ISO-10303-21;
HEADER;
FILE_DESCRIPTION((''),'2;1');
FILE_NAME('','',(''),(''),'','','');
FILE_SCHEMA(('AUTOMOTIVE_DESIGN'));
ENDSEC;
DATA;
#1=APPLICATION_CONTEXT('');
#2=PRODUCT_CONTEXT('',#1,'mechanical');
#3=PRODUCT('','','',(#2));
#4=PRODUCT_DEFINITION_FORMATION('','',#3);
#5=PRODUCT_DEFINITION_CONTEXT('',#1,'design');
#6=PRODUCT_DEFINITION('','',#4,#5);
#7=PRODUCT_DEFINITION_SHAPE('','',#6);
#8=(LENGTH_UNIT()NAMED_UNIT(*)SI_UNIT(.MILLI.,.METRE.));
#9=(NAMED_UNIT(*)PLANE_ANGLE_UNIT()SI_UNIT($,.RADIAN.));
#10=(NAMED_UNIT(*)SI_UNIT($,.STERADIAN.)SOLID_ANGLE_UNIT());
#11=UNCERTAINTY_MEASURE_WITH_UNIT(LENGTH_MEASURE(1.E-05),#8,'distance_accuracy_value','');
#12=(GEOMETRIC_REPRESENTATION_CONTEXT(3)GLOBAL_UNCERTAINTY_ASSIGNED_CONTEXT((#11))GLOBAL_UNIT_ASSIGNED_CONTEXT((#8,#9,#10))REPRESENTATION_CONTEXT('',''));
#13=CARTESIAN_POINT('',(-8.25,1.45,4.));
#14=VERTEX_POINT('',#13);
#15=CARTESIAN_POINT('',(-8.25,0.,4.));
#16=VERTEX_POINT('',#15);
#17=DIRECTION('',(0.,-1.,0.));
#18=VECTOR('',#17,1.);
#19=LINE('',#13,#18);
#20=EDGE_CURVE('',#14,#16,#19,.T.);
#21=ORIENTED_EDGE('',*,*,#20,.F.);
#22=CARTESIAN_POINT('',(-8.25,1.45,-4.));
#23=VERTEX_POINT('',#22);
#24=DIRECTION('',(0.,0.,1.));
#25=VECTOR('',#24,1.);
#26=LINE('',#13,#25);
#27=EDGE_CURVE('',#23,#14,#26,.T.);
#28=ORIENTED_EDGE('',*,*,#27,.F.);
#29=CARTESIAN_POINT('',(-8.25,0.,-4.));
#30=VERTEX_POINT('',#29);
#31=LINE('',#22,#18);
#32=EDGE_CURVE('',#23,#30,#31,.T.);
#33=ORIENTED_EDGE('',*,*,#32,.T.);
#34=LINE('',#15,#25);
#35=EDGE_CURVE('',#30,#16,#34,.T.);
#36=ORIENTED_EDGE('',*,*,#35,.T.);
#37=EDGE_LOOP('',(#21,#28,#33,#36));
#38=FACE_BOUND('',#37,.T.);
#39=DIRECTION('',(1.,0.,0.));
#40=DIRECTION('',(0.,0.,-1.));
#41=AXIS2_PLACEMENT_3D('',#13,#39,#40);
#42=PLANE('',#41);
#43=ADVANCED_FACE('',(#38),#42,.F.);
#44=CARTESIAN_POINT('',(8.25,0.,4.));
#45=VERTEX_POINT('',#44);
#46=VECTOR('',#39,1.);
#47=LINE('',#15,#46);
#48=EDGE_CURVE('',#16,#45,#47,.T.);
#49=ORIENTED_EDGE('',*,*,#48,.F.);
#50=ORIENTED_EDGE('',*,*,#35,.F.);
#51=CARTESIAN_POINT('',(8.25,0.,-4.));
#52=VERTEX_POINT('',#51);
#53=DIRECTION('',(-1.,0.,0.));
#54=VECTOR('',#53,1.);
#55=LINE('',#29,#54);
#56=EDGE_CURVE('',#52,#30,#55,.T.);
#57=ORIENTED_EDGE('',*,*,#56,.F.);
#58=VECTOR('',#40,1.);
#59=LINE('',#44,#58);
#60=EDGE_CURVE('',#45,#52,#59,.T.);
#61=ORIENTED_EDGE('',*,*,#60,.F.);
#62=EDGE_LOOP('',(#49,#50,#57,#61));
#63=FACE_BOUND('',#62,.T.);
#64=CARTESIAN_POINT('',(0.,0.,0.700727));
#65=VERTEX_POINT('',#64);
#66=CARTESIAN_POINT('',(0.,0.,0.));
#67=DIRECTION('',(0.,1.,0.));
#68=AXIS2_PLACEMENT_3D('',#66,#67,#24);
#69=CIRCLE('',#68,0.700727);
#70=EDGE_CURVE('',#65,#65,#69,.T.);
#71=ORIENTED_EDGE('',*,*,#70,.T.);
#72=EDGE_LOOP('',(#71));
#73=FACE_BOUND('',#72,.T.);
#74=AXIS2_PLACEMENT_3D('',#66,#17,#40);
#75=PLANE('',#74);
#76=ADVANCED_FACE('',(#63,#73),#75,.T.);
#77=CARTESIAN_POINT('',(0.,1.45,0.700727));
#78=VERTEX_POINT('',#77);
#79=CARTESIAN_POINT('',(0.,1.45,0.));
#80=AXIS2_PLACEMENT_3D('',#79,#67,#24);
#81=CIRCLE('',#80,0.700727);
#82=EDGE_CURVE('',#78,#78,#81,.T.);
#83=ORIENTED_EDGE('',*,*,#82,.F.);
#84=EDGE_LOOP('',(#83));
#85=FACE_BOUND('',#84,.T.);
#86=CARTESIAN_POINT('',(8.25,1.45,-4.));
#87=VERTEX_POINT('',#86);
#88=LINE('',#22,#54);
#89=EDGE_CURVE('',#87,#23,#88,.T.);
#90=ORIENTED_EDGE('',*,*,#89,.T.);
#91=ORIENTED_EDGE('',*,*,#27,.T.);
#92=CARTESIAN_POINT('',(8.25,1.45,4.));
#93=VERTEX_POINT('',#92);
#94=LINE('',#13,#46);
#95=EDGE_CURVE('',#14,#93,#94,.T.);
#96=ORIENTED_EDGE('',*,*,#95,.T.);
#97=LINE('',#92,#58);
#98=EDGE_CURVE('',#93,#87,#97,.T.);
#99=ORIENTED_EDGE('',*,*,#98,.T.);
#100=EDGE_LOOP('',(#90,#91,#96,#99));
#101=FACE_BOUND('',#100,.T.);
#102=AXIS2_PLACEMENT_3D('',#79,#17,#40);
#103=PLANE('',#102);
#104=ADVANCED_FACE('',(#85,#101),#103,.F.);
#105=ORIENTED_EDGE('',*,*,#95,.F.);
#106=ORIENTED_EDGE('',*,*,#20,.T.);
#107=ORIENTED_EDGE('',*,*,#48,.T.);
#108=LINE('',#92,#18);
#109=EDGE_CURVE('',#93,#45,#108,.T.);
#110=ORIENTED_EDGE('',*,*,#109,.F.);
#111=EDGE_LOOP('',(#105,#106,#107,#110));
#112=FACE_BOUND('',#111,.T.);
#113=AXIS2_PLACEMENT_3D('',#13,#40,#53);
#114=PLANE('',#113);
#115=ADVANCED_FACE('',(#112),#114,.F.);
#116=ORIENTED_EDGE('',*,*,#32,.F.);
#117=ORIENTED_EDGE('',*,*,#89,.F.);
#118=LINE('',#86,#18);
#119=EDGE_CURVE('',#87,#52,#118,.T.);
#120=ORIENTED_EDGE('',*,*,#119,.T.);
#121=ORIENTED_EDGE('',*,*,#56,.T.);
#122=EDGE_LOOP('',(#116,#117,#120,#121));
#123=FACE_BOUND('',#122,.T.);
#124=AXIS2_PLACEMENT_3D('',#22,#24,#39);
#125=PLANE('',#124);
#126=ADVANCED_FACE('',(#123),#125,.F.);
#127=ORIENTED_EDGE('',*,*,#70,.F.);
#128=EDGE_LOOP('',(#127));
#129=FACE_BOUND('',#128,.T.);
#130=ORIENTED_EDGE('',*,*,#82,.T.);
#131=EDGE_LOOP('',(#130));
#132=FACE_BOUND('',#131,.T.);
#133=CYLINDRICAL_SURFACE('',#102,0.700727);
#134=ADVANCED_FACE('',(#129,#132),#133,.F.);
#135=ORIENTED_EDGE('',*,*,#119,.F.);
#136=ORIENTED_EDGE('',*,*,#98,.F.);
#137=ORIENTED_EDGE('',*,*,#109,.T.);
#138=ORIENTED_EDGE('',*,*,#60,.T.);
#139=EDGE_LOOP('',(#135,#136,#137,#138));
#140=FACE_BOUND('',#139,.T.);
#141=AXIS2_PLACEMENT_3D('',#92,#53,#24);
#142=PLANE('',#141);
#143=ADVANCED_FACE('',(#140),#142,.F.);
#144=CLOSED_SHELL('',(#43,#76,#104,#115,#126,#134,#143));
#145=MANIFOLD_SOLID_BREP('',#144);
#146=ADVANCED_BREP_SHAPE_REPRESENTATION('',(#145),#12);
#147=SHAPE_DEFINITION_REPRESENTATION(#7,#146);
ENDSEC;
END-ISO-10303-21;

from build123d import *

# Parameters (mm, degrees)
SKETCH1_W           = 16.5
SKETCH1_H           = 8
SKETCH1_R           = 0.70072694
BOSS_EXTRUDE1_DEPTH = 1.45


with BuildPart() as part:
    # Sketch1 → Boss-Extrude1 (new body)
    with BuildSketch(Plane(origin=(0, 0, 0), x_dir=(1, 0, 0), z_dir=(0, 1, 0))):
        Rectangle(SKETCH1_W, SKETCH1_H)
        with Locations(Location((0, 0, 0), (0, 0, 270))):
            Circle(SKETCH1_R, mode=Mode.SUBTRACT)
    extrude(amount=BOSS_EXTRUDE1_DEPTH)


solid = part.part
